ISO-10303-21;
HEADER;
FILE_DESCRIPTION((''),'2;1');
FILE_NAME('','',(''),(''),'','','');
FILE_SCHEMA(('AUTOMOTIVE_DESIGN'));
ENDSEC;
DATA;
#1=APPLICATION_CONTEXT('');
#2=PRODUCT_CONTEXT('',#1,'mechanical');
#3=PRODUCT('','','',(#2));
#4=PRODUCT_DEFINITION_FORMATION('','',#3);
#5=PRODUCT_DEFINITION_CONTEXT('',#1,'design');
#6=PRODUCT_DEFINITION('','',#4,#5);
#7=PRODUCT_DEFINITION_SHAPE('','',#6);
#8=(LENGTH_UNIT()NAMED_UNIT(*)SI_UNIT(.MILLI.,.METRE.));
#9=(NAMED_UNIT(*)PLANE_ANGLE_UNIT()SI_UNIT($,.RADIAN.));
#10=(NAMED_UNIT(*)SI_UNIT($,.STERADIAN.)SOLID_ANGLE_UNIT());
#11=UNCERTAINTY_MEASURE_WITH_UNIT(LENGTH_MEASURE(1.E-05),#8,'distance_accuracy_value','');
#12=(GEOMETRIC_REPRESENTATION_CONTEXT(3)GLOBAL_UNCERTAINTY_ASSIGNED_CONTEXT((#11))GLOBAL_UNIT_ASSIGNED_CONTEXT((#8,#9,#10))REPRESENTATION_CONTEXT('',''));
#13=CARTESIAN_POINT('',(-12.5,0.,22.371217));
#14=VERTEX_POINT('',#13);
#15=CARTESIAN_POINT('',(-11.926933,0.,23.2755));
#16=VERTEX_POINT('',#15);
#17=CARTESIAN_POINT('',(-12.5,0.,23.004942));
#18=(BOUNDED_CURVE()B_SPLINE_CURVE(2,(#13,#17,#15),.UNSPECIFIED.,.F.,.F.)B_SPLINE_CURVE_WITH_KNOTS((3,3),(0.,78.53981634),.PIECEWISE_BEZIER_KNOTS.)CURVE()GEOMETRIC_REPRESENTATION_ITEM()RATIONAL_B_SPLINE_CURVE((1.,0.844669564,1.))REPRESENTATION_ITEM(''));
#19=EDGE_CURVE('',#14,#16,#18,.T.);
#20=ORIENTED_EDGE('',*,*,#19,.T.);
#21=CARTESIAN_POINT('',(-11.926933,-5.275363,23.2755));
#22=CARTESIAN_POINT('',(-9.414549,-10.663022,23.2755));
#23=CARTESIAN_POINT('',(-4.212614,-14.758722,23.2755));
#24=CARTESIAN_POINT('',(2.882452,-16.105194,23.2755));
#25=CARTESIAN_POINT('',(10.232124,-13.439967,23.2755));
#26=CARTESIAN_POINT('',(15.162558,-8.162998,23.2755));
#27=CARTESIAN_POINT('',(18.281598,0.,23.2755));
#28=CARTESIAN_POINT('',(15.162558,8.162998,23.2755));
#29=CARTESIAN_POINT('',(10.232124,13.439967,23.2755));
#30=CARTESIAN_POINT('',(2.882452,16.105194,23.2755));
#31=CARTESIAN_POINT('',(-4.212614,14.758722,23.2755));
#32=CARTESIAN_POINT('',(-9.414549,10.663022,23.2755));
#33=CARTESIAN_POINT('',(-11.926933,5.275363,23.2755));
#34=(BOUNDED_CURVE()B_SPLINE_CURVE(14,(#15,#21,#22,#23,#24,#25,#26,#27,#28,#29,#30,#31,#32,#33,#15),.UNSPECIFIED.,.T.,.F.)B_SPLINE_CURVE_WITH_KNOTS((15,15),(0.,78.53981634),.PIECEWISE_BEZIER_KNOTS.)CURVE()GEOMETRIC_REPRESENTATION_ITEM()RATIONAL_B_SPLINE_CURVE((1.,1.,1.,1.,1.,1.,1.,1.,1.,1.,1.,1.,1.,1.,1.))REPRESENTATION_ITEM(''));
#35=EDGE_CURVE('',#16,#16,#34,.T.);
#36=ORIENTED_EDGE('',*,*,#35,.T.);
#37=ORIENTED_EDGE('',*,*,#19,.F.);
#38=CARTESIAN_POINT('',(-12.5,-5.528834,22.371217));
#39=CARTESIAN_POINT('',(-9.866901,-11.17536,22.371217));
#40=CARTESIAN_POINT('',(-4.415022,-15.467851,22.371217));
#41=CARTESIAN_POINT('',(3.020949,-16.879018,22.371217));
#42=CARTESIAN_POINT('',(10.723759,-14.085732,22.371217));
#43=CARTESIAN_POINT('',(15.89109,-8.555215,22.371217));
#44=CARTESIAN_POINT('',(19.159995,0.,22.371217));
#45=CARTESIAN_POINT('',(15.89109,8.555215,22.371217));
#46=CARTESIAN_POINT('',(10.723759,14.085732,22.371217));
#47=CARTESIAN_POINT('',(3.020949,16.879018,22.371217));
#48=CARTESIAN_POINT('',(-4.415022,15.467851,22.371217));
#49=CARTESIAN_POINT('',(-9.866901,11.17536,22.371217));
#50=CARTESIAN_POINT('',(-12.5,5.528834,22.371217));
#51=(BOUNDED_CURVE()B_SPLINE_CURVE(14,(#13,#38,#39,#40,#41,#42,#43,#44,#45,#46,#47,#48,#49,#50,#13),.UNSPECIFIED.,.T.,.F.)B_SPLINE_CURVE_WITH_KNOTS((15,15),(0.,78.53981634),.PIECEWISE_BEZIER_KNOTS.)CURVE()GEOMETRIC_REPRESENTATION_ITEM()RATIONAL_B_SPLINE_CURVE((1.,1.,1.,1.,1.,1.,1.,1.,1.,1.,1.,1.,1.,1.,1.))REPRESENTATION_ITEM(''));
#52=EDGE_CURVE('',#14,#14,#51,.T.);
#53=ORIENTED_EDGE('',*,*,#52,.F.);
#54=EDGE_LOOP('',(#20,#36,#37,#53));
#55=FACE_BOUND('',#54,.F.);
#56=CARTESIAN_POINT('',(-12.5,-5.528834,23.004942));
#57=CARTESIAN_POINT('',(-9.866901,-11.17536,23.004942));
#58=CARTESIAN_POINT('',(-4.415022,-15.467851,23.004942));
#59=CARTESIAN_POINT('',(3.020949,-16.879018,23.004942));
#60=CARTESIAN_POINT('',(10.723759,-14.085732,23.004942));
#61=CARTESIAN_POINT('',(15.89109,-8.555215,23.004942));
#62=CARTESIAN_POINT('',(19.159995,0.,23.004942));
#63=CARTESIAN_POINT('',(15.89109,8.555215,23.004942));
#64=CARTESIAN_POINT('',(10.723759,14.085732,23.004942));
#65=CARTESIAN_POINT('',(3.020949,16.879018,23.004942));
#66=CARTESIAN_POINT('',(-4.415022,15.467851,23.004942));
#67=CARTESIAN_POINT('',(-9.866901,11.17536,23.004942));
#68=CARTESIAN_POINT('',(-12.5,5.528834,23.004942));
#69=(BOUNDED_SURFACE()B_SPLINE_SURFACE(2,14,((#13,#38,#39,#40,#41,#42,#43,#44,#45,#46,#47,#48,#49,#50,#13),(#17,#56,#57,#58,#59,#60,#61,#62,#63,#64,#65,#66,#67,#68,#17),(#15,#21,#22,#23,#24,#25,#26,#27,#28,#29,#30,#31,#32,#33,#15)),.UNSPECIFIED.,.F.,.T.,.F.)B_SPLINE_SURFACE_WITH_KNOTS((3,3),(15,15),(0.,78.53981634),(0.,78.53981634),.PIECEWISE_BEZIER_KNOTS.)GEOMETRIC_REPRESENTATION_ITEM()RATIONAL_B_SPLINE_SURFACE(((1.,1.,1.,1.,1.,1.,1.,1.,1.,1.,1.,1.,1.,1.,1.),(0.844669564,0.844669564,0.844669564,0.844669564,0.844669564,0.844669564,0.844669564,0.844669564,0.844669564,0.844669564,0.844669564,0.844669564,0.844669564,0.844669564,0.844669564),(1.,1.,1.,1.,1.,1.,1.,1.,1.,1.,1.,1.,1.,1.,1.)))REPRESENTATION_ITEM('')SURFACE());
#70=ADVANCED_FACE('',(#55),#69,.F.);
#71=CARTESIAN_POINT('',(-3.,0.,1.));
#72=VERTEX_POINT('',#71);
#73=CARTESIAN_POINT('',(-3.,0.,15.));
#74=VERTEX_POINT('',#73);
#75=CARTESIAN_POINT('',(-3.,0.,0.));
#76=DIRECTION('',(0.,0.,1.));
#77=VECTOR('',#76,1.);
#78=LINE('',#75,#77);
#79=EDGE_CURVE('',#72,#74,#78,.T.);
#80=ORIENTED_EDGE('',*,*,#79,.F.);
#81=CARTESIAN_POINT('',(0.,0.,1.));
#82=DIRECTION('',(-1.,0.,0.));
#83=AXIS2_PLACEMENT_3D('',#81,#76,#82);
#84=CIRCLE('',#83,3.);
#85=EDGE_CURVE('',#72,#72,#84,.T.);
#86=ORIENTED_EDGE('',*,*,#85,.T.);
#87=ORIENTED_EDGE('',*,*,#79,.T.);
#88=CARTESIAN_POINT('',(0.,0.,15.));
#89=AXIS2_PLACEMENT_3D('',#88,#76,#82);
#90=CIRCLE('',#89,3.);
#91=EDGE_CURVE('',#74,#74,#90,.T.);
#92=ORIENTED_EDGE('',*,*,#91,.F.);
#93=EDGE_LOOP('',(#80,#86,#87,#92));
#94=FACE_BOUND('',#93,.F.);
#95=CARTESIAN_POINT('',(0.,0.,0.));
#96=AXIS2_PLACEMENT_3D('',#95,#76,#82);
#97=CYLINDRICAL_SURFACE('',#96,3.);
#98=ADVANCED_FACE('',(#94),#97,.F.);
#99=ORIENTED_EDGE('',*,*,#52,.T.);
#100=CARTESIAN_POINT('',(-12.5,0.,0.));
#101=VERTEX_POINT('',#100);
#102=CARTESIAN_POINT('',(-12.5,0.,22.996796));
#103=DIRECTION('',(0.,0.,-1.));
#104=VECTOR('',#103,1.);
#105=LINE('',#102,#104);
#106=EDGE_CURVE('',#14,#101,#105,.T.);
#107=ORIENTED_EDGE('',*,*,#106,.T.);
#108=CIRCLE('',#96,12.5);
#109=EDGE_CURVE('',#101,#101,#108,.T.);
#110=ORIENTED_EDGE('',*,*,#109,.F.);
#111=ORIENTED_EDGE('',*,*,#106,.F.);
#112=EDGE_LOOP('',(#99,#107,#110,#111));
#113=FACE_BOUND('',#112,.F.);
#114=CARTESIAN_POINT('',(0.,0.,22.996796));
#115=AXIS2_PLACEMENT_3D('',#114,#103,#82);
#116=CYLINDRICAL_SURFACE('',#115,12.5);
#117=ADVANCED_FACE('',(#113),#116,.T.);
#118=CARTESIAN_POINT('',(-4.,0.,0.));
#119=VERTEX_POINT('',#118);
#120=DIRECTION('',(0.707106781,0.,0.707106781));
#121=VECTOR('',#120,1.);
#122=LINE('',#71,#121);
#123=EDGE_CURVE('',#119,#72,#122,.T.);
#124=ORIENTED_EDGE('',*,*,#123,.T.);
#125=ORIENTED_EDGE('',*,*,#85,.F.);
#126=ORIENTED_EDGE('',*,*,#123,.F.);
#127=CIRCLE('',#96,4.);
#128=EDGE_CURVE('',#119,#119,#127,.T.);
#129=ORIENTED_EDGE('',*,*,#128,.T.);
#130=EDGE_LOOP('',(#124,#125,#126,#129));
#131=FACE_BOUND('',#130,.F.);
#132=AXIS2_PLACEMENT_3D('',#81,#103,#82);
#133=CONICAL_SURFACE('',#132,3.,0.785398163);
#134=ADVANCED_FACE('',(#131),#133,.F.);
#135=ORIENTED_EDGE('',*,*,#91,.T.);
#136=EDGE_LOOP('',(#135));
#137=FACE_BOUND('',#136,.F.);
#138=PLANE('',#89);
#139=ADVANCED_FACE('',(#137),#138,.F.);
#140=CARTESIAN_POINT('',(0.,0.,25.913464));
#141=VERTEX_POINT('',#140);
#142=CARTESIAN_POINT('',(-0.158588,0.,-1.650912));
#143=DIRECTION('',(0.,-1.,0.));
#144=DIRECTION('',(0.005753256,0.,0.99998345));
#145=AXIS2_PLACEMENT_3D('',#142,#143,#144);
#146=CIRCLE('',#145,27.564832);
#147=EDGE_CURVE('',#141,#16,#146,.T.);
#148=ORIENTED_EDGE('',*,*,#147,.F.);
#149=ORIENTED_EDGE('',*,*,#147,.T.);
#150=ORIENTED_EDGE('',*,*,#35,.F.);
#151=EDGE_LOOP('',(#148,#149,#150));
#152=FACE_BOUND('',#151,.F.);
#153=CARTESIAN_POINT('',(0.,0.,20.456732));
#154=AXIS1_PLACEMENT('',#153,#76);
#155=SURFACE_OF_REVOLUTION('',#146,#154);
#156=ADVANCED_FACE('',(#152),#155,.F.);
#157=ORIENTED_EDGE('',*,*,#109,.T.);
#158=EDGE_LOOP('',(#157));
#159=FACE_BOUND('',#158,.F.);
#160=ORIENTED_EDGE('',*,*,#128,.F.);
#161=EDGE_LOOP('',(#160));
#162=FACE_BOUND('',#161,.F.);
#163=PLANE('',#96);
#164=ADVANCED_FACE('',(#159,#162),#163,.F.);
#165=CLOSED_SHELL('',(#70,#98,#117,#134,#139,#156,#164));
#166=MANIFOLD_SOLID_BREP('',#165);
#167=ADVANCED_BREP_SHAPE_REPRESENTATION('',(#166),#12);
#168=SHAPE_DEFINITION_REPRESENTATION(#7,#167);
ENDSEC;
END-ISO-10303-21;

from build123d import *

# Parameters (mm, degrees)
F2_SIZE = 1
F3_R    = 1


with BuildPart() as f1:
    # F0 (on Front) → F1 (revolve)
    with BuildSketch(Plane.XZ):
        with BuildLine():
            Line((-12.5, 22.996796), (-12.5, 0))
            Line((-12.5, 0), (-3, 0))
            Line((-3, 0), (-3, 15))
            Line((-3, 15), (0, 15))
            Line((0, 15), (0, 25.913464))
            ThreePointArc((0, 25.913464), (-6.422136, 25.192857), (-12.5, 22.996796))
        make_face()
    revolve(axis=Axis((0, 0, 20.456732), (0, 0, 1)))

    # F2
    f2_edges = [f1.edges().sort_by_distance(p)[0] for p in [
        (3, 0, 0),
    ]]
    chamfer(f2_edges, length=F2_SIZE)

    # F3
    f3_edges = [f1.edges().sort_by_distance(p)[0] for p in [
        (12.5, 0, 22.996796),
    ]]
    fillet(f3_edges, radius=F3_R)


solid = f1.part
